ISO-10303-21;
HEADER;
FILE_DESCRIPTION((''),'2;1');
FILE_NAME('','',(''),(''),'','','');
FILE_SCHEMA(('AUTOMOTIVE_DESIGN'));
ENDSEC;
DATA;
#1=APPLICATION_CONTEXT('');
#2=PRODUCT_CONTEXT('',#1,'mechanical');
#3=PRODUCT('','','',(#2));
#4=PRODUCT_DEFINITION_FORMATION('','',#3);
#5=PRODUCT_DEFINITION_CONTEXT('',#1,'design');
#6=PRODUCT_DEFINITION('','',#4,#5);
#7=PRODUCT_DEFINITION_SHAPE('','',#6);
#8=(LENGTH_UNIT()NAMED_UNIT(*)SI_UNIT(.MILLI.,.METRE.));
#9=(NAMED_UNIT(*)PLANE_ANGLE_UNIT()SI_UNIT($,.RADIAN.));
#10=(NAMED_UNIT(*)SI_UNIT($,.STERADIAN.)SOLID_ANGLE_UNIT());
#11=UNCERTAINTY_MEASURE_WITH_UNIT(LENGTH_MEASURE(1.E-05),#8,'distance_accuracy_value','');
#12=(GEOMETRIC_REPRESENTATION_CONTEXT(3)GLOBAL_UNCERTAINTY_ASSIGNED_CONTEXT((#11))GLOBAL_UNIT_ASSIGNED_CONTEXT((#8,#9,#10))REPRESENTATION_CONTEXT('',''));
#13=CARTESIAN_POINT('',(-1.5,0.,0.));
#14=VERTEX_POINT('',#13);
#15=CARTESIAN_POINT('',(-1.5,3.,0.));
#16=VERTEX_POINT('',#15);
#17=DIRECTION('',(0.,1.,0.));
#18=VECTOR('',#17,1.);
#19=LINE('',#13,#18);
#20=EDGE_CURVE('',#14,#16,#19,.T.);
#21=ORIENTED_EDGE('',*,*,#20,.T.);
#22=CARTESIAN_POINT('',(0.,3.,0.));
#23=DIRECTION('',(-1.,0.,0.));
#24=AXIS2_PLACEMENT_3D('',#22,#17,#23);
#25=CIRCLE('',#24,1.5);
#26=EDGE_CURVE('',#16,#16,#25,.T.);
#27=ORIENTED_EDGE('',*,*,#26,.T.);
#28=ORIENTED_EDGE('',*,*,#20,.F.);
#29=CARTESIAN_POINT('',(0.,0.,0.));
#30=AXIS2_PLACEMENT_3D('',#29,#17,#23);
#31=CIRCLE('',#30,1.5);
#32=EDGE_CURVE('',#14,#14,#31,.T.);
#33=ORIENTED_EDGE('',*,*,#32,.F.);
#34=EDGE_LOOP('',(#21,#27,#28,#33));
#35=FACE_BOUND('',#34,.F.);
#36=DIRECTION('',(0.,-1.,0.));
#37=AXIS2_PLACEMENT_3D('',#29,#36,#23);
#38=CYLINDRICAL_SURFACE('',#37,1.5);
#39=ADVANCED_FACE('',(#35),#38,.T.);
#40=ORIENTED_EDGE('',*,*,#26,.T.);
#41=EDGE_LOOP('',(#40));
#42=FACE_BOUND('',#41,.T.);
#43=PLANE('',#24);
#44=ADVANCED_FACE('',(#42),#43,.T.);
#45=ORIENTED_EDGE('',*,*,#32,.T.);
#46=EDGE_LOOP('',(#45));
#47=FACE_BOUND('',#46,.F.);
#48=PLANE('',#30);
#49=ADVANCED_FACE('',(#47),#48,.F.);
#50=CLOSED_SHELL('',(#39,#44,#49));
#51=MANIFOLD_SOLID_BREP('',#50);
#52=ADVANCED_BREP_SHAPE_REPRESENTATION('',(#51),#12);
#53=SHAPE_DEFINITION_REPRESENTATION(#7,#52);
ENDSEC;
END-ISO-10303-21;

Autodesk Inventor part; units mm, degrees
ref_plane "YZ Plane" through (0, 0, 0) normal (1, 0, 0) x (0, 1, 0)
ref_plane "XZ Plane" through (0, 0, 0) normal (0, 1, 0) x (-1, 0, 0)
ref_plane "XY Plane" through (0, 0, 0) normal (0, 0, 1) x (1, 0, 0)
sketch "Sketch5" plane through (0, 0, 0) normal (0, 1, 0) x (-1, 0, 0)
  circle A0 centre (0, 0) radius 1.5
  dimension "d14" = 3
extrude "Extrusion4" add sketch "Sketch5" along normal blind 3
properties part number "EndCap_time"
